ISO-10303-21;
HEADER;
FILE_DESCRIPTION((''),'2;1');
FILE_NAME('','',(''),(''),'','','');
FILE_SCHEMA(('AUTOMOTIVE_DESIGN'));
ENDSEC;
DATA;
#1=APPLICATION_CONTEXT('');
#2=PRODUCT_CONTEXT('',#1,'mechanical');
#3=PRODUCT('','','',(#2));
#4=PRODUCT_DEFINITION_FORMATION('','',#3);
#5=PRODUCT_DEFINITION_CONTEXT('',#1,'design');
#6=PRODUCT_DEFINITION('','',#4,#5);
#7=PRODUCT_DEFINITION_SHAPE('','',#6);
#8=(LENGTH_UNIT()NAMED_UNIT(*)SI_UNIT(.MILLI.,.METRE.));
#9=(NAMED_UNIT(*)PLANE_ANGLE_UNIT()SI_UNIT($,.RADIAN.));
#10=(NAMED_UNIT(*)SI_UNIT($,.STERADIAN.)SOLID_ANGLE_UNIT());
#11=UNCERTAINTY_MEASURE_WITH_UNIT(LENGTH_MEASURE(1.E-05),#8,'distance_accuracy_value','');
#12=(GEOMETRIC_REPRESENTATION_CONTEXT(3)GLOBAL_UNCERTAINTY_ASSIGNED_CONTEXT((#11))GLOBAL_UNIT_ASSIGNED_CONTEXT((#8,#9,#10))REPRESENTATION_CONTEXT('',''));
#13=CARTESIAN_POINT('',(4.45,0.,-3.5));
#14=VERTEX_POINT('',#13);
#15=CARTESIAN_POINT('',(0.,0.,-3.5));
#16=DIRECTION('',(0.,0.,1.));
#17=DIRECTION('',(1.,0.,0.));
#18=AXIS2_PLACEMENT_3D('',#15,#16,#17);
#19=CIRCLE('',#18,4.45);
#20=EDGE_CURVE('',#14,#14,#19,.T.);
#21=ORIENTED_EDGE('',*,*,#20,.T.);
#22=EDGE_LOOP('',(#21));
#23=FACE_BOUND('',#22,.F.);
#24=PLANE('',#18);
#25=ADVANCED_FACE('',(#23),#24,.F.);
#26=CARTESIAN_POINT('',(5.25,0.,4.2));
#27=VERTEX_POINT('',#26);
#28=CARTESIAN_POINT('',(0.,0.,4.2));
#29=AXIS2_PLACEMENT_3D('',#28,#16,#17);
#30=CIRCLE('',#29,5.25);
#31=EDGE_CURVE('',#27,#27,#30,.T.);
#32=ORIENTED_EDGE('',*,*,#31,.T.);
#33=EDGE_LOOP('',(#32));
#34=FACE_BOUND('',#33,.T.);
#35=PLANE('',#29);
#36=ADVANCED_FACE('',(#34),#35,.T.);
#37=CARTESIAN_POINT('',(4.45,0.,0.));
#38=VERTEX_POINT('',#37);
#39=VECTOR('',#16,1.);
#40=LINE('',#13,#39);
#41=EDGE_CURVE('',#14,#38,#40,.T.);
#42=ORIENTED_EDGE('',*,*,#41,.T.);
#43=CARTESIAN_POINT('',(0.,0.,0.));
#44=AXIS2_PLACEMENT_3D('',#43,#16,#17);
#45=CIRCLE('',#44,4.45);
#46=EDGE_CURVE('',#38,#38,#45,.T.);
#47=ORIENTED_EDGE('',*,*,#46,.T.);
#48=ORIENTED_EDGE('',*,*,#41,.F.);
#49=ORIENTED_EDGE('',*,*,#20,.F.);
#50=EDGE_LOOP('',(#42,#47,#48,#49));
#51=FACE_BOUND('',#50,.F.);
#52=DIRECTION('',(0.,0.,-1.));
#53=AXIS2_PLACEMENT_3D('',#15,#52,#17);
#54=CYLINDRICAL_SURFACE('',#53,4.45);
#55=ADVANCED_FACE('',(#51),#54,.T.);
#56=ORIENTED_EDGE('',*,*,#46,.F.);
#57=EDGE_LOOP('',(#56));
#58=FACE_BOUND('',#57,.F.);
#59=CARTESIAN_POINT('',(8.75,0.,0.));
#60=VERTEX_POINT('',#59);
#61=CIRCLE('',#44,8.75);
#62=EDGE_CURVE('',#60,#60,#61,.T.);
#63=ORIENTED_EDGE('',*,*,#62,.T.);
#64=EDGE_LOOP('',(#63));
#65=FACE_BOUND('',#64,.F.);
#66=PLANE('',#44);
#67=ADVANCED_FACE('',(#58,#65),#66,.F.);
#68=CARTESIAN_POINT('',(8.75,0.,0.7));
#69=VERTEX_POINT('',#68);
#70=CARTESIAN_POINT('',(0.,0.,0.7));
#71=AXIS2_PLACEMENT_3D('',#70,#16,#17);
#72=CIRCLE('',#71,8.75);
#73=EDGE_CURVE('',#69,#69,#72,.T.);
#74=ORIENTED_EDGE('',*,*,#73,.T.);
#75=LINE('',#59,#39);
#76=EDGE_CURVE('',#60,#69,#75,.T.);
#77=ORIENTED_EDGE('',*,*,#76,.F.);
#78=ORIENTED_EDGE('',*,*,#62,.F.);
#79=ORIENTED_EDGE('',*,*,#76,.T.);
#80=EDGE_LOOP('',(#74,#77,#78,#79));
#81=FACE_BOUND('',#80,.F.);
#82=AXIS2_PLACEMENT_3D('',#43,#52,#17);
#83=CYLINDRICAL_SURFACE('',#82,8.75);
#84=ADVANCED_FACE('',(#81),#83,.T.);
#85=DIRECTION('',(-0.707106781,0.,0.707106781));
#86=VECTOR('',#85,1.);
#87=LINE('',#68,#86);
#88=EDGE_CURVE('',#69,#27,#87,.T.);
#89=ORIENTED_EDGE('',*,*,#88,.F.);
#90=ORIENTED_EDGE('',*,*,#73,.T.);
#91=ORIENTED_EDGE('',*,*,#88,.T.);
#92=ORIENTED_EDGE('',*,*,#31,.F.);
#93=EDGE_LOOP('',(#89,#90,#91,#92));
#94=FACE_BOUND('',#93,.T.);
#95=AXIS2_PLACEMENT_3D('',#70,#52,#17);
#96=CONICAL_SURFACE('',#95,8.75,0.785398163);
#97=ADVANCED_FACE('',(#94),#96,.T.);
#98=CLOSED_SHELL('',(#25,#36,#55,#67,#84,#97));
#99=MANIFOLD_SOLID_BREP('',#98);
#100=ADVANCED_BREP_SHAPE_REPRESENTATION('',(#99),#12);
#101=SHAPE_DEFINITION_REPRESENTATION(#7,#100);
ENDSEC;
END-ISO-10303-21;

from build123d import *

# Parameters (mm, degrees)
CYLINDER972_R     = 8.75
CYLINDER972_DEPTH = 4.2
CYLINDER973_R     = 4.45
CYLINDER973_DEPTH = 3.5
CHAMFER008_SIZE   = 3.5


with BuildPart() as cylinder1035:
    # Cylinder972 → Cylinder972 (new body)
    with BuildSketch(Plane.XY):
        Circle(CYLINDER972_R)
    extrude(amount=CYLINDER972_DEPTH)


with BuildPart() as planetary_gear:
    # Cylinder973 → Cylinder973 (new body)
    with BuildSketch(Plane.XY.offset(-3.5)):
        Circle(CYLINDER973_R)
    extrude(amount=CYLINDER973_DEPTH)

    # Fusion111: union Cylinder1035
    add(cylinder1035.part)

    # Chamfer008
    chamfer008_edges = [planetary_gear.edges().sort_by_distance(p)[0] for p in [
        (-8.75, 0, 4.2),
    ]]
    chamfer(chamfer008_edges, length=CHAMFER008_SIZE)


solid = planetary_gear.part
